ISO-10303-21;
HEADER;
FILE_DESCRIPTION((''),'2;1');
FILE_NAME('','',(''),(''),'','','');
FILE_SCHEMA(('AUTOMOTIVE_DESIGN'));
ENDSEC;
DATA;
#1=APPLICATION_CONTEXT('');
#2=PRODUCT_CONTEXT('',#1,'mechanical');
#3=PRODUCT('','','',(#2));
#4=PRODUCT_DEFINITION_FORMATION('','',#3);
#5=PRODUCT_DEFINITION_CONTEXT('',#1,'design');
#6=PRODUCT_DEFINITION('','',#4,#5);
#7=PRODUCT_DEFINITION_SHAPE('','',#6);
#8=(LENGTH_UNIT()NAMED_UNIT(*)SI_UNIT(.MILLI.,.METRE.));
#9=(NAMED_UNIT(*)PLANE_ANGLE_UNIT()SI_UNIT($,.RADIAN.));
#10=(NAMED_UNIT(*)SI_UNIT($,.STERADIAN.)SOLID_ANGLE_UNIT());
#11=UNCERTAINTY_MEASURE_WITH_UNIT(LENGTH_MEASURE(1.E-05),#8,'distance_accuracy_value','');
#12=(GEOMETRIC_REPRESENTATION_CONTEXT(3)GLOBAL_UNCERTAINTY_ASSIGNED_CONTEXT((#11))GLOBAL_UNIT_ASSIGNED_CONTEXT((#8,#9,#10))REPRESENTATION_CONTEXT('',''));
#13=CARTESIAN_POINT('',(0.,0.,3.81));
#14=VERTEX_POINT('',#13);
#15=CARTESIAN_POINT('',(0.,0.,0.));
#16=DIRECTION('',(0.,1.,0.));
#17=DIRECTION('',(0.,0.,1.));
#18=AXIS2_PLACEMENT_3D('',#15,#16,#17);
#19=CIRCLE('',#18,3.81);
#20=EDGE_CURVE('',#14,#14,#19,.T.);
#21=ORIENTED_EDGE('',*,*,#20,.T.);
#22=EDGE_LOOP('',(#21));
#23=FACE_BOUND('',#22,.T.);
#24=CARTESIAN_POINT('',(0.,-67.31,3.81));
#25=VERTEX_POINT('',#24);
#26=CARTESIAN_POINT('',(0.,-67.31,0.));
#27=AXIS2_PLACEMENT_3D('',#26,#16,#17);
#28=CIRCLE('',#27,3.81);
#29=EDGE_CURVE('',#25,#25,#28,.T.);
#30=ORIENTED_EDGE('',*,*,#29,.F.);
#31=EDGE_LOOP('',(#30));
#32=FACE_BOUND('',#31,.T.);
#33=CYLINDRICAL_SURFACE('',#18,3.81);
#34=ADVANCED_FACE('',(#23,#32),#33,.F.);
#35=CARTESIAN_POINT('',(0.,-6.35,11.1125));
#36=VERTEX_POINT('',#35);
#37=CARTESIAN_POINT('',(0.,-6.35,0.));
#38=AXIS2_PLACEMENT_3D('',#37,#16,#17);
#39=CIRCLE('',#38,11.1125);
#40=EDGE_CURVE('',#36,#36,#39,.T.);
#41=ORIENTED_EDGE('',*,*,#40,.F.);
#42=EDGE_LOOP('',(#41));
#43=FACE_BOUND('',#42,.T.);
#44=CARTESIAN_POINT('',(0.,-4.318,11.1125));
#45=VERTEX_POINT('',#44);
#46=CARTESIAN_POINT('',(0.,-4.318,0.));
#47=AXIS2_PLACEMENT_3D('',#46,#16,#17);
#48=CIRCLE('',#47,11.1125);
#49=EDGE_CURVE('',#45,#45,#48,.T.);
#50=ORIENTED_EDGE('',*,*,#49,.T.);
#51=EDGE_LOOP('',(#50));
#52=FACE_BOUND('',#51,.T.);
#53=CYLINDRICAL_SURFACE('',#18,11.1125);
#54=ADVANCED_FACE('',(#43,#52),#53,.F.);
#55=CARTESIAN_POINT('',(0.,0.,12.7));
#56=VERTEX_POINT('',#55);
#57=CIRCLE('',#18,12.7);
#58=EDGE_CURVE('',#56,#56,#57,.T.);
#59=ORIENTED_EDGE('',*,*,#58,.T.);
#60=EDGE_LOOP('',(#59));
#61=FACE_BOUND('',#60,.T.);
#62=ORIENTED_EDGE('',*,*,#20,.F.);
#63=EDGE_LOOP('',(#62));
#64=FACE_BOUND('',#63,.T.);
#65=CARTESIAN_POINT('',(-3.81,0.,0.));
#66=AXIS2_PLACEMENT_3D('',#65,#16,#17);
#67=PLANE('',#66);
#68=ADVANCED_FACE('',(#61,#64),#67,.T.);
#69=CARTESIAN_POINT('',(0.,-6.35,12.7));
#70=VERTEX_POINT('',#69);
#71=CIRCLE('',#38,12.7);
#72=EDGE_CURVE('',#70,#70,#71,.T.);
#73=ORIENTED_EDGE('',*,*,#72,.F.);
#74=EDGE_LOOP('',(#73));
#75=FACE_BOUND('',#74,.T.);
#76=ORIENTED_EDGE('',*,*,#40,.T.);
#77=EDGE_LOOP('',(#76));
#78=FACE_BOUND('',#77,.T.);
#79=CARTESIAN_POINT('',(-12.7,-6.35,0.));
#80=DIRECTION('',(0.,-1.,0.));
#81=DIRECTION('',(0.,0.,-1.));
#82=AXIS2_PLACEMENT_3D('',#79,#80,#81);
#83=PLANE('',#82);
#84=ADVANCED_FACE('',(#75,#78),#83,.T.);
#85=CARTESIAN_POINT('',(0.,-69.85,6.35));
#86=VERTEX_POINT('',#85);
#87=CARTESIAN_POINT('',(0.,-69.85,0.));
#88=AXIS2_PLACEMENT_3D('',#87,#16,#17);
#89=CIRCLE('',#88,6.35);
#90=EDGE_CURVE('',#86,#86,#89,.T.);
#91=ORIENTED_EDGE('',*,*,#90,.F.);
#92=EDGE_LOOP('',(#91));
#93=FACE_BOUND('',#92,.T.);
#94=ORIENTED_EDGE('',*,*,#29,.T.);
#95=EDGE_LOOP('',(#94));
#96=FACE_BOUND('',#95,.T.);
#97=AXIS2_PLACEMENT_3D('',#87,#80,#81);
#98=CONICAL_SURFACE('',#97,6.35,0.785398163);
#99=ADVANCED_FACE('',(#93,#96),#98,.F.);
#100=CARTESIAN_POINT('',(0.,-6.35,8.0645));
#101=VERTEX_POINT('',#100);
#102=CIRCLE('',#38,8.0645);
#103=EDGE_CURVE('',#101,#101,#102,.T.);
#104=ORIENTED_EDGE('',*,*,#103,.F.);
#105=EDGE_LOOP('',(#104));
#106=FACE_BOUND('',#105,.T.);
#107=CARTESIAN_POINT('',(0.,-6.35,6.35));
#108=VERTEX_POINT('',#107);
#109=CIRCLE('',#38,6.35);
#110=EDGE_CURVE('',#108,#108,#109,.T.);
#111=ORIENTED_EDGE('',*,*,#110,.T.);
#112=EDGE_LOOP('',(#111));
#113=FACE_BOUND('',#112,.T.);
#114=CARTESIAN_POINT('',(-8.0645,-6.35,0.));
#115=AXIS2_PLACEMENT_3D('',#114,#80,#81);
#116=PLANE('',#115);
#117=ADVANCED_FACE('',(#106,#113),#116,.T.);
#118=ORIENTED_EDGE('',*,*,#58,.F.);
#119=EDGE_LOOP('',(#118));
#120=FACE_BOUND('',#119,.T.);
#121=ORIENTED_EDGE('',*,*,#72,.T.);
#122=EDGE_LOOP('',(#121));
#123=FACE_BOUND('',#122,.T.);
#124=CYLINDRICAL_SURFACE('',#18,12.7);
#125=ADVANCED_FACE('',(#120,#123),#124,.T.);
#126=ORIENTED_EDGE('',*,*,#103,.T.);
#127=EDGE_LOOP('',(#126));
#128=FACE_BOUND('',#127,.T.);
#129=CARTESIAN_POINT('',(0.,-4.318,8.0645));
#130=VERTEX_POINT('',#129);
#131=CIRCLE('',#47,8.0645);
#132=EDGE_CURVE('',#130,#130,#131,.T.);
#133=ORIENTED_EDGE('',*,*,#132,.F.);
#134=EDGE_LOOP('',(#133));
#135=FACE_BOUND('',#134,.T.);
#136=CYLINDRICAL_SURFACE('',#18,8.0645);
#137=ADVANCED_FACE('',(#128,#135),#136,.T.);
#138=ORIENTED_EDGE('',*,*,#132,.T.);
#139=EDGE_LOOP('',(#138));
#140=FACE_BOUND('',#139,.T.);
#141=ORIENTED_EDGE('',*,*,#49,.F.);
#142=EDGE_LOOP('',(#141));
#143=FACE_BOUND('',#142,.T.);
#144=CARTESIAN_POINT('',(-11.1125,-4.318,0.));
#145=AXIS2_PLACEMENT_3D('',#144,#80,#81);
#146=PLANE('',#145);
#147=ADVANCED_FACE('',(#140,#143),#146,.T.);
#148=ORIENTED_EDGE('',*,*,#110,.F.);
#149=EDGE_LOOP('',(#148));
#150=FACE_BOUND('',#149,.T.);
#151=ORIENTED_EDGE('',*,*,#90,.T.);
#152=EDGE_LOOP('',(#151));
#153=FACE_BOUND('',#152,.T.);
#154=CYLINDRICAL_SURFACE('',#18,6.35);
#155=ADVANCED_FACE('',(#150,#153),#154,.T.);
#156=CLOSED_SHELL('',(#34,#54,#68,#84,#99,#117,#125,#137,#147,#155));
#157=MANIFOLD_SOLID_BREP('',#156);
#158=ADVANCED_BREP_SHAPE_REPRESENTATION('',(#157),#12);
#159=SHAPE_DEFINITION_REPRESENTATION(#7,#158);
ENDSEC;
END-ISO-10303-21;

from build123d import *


with BuildPart() as part:
    # Sketch1 → Revolve1 (revolve)
    with BuildSketch(Plane.XY):
        Polygon((-3.81, 0), (-12.7, 0), (-12.7, -6.35), (-11.1125, -6.35), (-11.1125, -4.318), (-8.0645, -4.318), (-8.0645, -6.35), (-6.35, -6.35), (-6.35, -69.85), (-3.81, -67.31), align=None)
    revolve(axis=Axis((0, 0, 0), (0, -1, 0)))


solid = part.part
